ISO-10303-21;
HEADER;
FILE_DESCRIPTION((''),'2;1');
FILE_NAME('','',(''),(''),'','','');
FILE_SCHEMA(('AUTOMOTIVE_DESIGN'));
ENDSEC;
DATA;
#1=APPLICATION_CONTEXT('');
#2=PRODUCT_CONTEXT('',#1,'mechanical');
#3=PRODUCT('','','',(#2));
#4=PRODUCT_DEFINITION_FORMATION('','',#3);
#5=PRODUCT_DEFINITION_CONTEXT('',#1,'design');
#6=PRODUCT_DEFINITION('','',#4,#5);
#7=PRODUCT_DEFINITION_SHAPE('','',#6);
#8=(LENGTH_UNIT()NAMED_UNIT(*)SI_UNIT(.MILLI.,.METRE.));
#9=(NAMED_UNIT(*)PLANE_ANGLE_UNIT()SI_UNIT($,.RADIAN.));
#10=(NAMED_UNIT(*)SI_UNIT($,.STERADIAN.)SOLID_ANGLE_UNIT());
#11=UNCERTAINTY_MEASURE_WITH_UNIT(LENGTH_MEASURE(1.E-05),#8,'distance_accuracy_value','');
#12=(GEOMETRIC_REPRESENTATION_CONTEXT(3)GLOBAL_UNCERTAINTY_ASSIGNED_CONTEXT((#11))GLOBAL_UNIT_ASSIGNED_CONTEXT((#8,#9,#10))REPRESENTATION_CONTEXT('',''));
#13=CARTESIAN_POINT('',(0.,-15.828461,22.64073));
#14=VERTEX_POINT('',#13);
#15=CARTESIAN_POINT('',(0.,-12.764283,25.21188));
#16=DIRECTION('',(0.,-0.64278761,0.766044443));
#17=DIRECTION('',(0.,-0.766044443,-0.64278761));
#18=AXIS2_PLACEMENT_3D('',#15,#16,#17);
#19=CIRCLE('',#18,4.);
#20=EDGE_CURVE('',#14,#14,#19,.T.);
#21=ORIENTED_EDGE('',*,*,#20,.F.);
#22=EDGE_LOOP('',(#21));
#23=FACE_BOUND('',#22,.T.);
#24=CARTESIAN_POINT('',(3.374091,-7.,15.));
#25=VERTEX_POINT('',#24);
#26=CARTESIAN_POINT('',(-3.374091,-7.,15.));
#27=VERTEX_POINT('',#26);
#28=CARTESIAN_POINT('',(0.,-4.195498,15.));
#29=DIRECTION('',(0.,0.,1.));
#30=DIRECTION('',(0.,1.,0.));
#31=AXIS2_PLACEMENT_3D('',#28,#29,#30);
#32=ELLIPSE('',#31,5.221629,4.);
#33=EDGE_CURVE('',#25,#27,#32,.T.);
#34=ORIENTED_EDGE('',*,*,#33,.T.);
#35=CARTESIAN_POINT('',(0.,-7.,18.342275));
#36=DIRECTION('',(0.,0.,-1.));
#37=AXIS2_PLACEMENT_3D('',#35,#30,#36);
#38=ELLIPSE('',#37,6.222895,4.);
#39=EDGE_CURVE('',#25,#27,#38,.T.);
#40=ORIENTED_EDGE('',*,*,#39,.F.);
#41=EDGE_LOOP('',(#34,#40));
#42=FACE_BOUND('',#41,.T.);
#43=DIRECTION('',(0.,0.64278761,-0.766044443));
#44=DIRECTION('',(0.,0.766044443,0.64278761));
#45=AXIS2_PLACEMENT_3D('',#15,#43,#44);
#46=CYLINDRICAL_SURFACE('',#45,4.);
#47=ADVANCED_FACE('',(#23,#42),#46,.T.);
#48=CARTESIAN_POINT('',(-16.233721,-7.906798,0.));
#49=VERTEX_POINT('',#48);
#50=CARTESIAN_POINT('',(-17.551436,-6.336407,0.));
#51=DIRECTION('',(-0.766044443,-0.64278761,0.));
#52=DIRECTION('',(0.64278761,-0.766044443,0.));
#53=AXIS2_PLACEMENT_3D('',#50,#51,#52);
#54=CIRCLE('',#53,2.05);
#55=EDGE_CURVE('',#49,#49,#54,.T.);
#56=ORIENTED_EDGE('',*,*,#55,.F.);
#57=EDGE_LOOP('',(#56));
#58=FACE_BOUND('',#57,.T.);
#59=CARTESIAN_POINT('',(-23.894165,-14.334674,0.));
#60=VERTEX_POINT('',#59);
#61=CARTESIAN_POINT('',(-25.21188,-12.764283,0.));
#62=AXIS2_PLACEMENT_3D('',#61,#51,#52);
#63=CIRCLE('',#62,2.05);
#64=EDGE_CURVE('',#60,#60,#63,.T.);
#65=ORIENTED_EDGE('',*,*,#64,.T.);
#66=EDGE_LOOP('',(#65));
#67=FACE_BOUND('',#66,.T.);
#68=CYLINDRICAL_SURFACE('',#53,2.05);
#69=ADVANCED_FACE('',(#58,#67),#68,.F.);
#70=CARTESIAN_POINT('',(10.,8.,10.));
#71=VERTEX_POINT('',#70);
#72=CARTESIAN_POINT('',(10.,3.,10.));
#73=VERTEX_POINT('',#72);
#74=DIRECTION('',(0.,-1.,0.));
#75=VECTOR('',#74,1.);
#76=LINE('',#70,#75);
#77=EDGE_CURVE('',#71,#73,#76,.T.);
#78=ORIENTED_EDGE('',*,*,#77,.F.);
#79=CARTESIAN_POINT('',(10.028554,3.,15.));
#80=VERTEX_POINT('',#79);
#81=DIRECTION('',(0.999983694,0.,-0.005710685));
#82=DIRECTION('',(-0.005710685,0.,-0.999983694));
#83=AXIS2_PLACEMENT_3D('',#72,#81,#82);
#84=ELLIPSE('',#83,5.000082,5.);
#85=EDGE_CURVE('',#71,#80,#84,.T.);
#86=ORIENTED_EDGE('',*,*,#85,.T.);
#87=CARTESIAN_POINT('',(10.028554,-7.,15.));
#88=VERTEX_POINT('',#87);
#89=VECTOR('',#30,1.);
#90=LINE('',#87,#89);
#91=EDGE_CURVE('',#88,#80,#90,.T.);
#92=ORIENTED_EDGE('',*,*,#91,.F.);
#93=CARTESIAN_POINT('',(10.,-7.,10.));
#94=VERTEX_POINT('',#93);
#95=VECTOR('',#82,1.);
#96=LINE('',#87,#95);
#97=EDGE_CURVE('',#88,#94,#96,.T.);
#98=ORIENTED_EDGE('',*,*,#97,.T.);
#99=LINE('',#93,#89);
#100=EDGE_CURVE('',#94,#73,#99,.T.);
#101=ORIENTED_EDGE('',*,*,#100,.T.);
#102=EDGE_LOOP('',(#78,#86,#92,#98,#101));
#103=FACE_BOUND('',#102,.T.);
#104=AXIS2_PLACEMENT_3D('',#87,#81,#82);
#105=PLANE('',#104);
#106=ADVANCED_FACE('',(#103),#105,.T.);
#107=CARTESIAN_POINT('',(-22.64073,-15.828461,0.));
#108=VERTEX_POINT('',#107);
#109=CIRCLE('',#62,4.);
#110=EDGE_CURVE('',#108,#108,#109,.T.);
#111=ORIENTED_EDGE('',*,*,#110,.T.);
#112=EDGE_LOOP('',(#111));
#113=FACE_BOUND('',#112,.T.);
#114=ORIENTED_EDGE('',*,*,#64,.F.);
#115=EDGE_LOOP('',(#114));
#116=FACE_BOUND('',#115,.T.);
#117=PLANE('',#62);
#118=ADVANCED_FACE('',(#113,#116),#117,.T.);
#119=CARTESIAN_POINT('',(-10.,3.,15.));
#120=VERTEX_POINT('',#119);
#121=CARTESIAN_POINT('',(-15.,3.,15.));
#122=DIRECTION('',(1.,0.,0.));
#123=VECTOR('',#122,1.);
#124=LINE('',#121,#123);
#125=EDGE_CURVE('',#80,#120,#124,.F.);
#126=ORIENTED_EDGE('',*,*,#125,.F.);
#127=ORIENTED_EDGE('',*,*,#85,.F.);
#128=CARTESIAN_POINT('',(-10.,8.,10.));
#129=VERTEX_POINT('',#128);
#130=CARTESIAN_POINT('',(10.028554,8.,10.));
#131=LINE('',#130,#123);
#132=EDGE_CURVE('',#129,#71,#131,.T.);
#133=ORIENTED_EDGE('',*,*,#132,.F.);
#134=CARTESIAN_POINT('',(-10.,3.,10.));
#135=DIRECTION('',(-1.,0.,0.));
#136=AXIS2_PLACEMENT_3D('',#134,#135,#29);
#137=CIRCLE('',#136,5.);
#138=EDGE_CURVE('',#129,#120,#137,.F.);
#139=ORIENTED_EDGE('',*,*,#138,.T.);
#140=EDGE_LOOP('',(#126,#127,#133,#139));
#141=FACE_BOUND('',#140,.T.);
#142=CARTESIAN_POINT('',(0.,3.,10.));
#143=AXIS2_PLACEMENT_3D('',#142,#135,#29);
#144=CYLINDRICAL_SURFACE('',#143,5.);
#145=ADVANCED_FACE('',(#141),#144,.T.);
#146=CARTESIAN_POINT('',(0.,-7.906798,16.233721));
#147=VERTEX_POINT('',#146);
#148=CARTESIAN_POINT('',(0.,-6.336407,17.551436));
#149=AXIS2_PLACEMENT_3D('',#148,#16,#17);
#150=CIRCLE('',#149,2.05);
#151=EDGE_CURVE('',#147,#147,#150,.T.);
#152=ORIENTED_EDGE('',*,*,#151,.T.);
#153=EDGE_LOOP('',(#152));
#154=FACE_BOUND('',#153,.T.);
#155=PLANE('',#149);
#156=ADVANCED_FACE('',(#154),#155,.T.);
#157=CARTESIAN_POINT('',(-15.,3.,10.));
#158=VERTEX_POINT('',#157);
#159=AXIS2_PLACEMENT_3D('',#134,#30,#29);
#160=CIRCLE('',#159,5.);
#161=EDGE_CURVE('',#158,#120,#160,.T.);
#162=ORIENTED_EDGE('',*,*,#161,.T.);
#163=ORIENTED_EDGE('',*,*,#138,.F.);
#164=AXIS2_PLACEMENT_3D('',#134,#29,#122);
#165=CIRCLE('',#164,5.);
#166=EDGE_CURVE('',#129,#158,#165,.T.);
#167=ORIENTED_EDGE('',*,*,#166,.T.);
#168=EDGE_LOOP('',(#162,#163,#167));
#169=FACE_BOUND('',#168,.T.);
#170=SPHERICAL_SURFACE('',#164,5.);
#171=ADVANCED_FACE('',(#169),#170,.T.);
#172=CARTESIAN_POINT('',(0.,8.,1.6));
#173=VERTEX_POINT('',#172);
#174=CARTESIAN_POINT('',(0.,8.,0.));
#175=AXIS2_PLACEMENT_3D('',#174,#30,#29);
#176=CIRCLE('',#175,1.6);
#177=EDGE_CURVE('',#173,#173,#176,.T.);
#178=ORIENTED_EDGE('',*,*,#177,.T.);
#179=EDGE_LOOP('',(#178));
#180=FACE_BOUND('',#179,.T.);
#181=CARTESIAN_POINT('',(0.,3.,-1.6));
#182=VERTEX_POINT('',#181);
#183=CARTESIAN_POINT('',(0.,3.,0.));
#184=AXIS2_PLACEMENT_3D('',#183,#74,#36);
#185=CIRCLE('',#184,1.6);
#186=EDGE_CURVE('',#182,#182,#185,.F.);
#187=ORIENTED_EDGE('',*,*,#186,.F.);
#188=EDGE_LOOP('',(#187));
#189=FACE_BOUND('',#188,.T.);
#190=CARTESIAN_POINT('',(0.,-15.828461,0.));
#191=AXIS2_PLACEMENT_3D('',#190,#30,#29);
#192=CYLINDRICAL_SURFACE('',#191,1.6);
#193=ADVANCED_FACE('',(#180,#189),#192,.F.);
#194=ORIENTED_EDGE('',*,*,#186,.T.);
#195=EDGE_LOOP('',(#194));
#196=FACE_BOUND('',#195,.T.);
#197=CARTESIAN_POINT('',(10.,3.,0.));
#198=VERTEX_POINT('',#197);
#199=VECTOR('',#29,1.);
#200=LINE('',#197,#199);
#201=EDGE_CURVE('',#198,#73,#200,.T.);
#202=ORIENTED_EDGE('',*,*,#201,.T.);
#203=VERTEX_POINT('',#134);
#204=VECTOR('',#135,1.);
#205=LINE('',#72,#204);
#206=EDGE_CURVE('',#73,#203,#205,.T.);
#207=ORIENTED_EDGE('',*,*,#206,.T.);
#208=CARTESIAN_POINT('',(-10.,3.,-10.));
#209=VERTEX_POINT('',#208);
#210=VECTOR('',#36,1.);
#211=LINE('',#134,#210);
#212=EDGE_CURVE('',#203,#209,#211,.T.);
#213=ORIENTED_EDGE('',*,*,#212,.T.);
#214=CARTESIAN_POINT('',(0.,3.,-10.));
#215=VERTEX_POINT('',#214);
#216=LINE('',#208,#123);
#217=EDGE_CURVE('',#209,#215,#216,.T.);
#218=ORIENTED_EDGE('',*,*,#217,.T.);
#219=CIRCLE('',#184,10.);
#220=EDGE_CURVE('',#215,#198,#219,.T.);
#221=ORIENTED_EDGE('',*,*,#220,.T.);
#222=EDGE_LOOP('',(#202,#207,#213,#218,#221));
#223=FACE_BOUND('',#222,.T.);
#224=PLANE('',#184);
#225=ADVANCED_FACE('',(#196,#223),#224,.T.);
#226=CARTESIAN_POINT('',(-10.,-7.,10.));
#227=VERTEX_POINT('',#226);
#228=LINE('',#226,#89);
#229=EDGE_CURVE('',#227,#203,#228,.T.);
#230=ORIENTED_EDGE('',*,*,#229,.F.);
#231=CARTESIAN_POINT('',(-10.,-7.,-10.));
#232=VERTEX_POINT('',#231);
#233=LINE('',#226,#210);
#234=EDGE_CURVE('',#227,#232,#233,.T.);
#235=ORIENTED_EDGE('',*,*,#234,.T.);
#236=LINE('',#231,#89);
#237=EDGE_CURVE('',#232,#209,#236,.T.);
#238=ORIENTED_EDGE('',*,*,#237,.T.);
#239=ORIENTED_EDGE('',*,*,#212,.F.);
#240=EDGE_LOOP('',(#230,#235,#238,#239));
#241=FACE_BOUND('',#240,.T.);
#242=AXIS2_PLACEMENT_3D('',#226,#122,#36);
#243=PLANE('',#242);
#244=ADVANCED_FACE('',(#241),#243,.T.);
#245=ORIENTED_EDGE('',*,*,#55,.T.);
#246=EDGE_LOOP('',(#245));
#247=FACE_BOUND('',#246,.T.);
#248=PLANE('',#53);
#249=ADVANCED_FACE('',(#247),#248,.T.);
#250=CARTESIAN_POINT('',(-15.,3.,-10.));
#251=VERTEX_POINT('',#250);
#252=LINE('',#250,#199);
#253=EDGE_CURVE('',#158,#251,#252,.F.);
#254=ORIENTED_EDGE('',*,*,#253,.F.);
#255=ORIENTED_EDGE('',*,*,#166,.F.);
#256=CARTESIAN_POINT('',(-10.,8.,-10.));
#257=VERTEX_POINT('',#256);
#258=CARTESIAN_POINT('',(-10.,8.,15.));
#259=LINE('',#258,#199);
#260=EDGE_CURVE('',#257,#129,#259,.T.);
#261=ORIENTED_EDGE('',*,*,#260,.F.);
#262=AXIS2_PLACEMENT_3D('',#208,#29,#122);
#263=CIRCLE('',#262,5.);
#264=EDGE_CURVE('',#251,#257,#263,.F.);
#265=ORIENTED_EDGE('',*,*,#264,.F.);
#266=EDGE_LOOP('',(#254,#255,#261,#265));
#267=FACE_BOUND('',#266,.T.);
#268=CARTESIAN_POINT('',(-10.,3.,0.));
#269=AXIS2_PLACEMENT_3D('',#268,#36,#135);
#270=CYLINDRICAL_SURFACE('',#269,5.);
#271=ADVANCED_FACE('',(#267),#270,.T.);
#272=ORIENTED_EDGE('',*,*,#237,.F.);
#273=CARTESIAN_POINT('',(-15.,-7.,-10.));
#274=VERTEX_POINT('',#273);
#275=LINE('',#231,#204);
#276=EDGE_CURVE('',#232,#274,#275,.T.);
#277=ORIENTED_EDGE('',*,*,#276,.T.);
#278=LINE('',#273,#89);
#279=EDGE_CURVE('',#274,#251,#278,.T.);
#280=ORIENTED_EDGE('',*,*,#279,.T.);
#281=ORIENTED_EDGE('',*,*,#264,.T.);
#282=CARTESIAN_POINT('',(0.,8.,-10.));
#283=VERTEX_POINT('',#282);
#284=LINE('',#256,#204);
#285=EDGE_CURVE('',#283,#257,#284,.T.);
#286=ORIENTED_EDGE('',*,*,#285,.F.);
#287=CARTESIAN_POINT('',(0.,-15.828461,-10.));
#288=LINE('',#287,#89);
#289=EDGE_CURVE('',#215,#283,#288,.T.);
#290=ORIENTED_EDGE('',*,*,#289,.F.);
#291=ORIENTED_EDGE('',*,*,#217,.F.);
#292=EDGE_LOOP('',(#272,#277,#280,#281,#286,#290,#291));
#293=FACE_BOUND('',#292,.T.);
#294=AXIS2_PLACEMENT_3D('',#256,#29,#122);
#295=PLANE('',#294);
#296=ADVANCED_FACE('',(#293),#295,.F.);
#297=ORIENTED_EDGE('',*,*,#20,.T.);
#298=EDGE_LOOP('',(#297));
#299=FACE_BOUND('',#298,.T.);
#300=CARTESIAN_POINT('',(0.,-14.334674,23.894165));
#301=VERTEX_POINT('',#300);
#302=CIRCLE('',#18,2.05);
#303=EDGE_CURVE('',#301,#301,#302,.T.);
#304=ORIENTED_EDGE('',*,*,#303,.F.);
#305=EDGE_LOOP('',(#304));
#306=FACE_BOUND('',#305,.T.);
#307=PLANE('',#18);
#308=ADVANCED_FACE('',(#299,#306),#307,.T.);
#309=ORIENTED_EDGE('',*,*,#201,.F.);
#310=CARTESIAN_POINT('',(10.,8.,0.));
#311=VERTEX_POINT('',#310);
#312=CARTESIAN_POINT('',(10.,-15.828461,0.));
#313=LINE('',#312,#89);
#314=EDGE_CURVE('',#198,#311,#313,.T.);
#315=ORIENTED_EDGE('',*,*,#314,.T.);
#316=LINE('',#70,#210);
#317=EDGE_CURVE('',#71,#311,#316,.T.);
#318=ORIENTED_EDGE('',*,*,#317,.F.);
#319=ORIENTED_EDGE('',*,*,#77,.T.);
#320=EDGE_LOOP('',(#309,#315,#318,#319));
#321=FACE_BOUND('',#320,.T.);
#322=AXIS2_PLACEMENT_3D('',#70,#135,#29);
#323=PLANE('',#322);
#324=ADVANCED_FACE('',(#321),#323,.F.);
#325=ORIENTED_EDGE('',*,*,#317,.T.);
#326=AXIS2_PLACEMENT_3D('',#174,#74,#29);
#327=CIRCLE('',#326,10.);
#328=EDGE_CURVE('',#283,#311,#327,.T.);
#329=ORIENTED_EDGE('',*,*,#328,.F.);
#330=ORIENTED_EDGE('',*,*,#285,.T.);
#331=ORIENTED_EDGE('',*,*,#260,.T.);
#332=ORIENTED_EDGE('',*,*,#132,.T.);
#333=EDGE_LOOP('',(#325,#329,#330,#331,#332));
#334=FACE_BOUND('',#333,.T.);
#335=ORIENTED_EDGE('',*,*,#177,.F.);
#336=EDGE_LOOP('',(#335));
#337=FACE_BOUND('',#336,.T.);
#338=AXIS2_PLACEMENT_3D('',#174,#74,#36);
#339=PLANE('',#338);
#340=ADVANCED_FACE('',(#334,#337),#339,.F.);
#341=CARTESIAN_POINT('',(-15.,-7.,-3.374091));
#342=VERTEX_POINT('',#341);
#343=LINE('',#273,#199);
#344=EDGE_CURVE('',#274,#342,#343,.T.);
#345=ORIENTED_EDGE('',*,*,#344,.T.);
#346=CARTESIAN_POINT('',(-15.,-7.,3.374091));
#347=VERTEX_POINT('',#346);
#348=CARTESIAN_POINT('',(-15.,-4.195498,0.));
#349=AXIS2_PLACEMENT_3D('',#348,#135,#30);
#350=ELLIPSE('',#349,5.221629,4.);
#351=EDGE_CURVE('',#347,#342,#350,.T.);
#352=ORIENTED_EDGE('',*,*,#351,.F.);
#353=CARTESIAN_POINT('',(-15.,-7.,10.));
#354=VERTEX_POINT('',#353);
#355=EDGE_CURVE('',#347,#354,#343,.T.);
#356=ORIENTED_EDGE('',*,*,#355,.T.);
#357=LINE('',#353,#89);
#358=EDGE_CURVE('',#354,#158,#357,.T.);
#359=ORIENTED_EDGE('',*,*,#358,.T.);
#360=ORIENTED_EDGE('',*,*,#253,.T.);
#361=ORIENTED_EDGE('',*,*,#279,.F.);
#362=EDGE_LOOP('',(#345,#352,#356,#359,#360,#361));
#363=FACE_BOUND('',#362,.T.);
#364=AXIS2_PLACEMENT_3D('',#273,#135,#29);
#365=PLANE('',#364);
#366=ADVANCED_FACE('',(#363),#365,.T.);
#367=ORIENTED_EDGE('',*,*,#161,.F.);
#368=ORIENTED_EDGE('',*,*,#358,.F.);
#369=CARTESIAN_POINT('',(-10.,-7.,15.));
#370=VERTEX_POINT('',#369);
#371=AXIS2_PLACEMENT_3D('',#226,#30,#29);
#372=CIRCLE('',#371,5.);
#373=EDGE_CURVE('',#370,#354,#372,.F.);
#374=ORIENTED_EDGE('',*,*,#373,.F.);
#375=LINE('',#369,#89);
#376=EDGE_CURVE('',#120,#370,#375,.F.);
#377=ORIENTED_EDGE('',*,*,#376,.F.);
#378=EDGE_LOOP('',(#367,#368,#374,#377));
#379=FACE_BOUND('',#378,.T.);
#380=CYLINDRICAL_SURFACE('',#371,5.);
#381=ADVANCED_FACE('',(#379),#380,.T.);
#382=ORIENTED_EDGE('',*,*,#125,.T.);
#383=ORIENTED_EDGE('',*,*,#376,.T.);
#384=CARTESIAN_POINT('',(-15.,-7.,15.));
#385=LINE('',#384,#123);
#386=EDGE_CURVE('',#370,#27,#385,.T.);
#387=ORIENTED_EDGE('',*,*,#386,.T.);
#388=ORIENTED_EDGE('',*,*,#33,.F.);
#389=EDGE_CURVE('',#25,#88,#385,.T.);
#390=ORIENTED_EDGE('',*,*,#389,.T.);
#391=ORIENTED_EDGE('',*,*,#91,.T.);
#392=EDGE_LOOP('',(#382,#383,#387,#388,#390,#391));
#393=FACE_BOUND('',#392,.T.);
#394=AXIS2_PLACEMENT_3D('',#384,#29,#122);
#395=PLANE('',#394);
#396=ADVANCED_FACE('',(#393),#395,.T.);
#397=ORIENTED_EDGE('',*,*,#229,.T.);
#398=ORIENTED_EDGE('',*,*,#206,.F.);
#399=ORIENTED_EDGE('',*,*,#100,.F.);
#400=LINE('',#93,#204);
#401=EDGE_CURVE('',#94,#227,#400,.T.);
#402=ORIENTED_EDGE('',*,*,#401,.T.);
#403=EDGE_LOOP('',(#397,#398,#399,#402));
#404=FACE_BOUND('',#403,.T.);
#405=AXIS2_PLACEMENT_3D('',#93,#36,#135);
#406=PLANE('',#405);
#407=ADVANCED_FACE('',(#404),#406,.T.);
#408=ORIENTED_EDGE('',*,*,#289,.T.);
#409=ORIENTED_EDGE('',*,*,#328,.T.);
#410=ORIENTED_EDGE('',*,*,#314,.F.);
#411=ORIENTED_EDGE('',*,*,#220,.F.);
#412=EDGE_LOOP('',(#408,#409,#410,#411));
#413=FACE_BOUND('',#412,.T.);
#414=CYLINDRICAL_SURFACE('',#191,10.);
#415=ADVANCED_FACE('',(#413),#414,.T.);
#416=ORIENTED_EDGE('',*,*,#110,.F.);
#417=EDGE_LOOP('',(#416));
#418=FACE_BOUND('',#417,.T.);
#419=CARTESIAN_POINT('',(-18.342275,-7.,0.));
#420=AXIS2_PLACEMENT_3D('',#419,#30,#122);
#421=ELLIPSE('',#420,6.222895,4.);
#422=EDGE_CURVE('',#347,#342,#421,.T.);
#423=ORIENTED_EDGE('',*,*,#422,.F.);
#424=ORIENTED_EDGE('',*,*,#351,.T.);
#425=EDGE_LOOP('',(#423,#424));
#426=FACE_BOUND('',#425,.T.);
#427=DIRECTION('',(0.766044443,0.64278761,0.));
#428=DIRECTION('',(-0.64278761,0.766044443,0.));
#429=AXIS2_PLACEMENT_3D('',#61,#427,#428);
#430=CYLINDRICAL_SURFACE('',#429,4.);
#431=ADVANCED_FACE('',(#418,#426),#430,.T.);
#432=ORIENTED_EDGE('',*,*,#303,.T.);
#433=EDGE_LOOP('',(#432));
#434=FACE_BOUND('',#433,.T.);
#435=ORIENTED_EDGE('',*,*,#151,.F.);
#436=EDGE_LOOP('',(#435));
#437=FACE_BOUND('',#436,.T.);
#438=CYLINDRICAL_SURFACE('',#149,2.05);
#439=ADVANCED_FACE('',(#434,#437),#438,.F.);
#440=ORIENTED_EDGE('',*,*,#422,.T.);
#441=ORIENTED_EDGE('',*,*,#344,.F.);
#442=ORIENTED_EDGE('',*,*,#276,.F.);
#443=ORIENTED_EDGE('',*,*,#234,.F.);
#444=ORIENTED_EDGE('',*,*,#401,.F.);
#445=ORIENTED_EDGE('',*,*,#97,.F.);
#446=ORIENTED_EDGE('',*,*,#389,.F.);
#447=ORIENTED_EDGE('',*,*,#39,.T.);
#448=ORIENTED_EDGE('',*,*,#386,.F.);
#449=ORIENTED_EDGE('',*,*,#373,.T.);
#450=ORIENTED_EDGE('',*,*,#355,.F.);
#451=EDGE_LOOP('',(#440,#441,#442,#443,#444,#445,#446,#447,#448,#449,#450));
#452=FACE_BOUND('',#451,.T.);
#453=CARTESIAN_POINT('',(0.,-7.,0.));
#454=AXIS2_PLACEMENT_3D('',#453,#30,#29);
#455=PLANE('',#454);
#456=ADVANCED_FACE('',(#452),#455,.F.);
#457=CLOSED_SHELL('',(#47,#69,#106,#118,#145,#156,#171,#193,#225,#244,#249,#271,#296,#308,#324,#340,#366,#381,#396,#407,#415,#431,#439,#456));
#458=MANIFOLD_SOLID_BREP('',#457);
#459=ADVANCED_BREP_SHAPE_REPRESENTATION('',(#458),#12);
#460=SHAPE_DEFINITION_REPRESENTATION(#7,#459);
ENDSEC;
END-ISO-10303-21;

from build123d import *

# Parameters (mm, degrees)
SKETCH_1_W          = 20
SKETCH_1_H          = 20
EXTRUDE_1_DEPTH     = 8
SKETCH_2_R          = 4
EXTRUDE_2_DEPTH     = 25
SKETCH_3_R          = 4
EXTRUDE_3_DEPTH     = 25
SKETCH_4_R          = 1.6
CUT_EXTRUDE_1_DEPTH = 46.952030516
EXTRUDE_4_DEPTH     = 15
CUT_EXTRUDE_START   = -10
CUT_EXTRUDE_5_DEPTH = 10
SKETCH_11_R         = 2.05
CUT_EXTRUDE_6_DEPTH = 10
SKETCH_12_R         = 2.05
CUT_EXTRUDE_7_DEPTH = 10
FILLET_3_R          = 5


with BuildPart() as part:
    # 草圖1 → 填料-伸長1 (new body)
    with BuildSketch(Plane(origin=(0, 0, 0), x_dir=(1, 0, 0), z_dir=(0, 1, 0))):
        Rectangle(SKETCH_1_W, SKETCH_1_H)
    extrude(amount=EXTRUDE_1_DEPTH)

    # 草圖2 → 填料-伸長2 (add)
    with BuildSketch(Plane(origin=(0, -1.618631476, 1.929009876), x_dir=(1, 0, 0), z_dir=(0, -0.6427876096865406, 0.7660444431189771))):
        with Locations((0, 6.427876097)):
            Circle(SKETCH_2_R)
    extrude(amount=EXTRUDE_2_DEPTH)

    # 草圖3 → 填料-伸長3 (add)
    with BuildSketch(Plane(origin=(-1.929009876, -1.618631476, 0), x_dir=(0, 0, 1), z_dir=(-0.7660444431189771, -0.6427876096865406, 0))):
        with Locations((0, 6.427876097)):
            Circle(SKETCH_3_R)
    extrude(amount=EXTRUDE_3_DEPTH)

    # 草圖4 → 除料-伸長1 (cut, through all)
    with BuildSketch(Plane(origin=(0, 8, 0), x_dir=(1, 0, 0), z_dir=(0, 1, 0))):
        with Locations(Location((0, 0, 0), (0, 0, 270))):
            Circle(SKETCH_4_R)
        with BuildLine():
            Line((0, 10), (10, 10))
            Line((10, 10), (10, 0))
            ThreePointArc((10, 0), (7.071067812, 7.071067812), (0, 10))
        make_face()
    extrude(amount=-CUT_EXTRUDE_1_DEPTH, mode=Mode.SUBTRACT)

    # 草圖9 → 填料-伸長4 (add)
    with BuildSketch(Plane(origin=(0, 8, 0), x_dir=(1, 0, 0), z_dir=(0, 1, 0))):
        Polygon((-10, 10), (-15, 10), (-15, -15), (10.028553892, -15), (10, -10), (-10, -10), align=None)
    extrude(amount=-EXTRUDE_4_DEPTH)

    # 草圖10 → 除料-伸長5 (cut)
    with BuildSketch(Plane.XZ.offset(7).offset(CUT_EXTRUDE_START)):
        with BuildLine():
            Line((10, 0), (10, 10))
            Line((10, 10), (-10, 10))
            Line((-10, 10), (-10, -10))
            Line((-10, -10), (0, -10))
            ThreePointArc((0, -10), (7.071067812, -7.071067812), (10, 0))
        make_face()
    extrude(amount=CUT_EXTRUDE_5_DEPTH, mode=Mode.SUBTRACT)

    # 草圖11 → 除料-伸長6 (cut)
    with BuildSketch(Plane(origin=(-21.080120954, -17.688321718, 0), x_dir=(0, 0, 1), z_dir=(-0.7660444431189772, -0.6427876096865405, 0))):
        with Locations(Location((0, 6.427876097, 0), (0, 0, 270))):
            Circle(SKETCH_11_R)
    extrude(amount=-CUT_EXTRUDE_6_DEPTH, mode=Mode.SUBTRACT)

    # 草圖12 → 除料-伸長7 (cut)
    with BuildSketch(Plane(origin=(0, -17.688321718, 21.080120954), x_dir=(1, 0, 0), z_dir=(0, -0.6427876096865405, 0.7660444431189771))):
        with Locations(Location((0, 6.427876097, 0), (0, 0, 270))):
            Circle(SKETCH_12_R)
    extrude(amount=-CUT_EXTRUDE_7_DEPTH, mode=Mode.SUBTRACT)

    # 圓角3
    fillet_3_edges = [part.edges().sort_by_distance(p)[0] for p in [
        (-2.485723054, 8, 15),
        (-15, 8, 2.5),
        (-15, 0.5, 15),
    ]]
    fillet(fillet_3_edges, radius=FILLET_3_R)


solid = part.part
